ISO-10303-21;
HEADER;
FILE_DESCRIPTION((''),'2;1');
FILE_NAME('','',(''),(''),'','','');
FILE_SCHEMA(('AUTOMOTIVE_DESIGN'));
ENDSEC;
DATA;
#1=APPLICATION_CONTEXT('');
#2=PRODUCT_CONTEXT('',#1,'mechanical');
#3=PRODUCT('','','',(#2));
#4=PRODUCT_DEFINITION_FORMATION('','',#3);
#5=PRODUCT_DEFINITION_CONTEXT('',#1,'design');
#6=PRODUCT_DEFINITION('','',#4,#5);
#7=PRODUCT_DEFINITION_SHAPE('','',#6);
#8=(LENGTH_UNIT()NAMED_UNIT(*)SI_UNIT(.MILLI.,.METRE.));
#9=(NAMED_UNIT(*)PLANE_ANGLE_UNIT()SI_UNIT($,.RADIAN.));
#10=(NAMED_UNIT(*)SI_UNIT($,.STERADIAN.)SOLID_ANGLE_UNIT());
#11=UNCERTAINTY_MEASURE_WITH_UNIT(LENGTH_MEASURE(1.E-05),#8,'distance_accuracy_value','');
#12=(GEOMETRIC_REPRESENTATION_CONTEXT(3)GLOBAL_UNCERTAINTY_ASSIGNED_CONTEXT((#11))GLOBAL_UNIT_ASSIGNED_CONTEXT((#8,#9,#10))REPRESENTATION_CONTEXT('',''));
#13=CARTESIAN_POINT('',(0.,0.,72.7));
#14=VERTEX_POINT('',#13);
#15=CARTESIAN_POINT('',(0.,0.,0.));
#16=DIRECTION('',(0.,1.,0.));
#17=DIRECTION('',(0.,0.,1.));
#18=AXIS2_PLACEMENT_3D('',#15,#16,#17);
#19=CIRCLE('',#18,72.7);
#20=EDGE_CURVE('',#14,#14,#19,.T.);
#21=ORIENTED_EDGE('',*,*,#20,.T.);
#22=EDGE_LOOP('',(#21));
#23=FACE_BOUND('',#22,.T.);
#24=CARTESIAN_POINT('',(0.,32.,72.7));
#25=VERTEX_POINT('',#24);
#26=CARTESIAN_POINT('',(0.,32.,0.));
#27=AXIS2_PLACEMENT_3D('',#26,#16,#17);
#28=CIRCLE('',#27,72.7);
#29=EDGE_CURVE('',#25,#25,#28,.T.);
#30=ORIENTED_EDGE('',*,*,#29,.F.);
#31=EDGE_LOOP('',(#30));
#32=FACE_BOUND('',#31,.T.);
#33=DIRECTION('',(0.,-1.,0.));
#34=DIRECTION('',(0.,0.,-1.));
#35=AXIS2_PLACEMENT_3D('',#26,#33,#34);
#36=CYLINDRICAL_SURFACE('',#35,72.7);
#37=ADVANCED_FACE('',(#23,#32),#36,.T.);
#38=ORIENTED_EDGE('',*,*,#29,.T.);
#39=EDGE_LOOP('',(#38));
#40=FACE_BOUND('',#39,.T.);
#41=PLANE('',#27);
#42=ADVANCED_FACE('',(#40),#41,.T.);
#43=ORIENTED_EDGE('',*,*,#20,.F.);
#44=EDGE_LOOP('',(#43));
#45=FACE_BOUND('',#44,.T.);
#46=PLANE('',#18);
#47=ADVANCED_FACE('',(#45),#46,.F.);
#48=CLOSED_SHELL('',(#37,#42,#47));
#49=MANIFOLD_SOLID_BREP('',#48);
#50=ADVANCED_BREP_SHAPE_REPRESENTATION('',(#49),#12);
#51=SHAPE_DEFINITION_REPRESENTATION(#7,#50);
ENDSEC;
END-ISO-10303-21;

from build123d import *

# Parameters (mm, degrees)
SKETCH1_R           = 72.7
BOSS_EXTRUDE1_DEPTH = 32


with BuildPart() as part:
    # Sketch1 → Boss-Extrude1 (new body)
    with BuildSketch(Plane(origin=(0, 0, 0), x_dir=(1, 0, 0), z_dir=(0, 1, 0))):
        with Locations(Location((0, 0, 0), (0, 0, 270))):
            Circle(SKETCH1_R)
    extrude(amount=BOSS_EXTRUDE1_DEPTH)


solid = part.part
